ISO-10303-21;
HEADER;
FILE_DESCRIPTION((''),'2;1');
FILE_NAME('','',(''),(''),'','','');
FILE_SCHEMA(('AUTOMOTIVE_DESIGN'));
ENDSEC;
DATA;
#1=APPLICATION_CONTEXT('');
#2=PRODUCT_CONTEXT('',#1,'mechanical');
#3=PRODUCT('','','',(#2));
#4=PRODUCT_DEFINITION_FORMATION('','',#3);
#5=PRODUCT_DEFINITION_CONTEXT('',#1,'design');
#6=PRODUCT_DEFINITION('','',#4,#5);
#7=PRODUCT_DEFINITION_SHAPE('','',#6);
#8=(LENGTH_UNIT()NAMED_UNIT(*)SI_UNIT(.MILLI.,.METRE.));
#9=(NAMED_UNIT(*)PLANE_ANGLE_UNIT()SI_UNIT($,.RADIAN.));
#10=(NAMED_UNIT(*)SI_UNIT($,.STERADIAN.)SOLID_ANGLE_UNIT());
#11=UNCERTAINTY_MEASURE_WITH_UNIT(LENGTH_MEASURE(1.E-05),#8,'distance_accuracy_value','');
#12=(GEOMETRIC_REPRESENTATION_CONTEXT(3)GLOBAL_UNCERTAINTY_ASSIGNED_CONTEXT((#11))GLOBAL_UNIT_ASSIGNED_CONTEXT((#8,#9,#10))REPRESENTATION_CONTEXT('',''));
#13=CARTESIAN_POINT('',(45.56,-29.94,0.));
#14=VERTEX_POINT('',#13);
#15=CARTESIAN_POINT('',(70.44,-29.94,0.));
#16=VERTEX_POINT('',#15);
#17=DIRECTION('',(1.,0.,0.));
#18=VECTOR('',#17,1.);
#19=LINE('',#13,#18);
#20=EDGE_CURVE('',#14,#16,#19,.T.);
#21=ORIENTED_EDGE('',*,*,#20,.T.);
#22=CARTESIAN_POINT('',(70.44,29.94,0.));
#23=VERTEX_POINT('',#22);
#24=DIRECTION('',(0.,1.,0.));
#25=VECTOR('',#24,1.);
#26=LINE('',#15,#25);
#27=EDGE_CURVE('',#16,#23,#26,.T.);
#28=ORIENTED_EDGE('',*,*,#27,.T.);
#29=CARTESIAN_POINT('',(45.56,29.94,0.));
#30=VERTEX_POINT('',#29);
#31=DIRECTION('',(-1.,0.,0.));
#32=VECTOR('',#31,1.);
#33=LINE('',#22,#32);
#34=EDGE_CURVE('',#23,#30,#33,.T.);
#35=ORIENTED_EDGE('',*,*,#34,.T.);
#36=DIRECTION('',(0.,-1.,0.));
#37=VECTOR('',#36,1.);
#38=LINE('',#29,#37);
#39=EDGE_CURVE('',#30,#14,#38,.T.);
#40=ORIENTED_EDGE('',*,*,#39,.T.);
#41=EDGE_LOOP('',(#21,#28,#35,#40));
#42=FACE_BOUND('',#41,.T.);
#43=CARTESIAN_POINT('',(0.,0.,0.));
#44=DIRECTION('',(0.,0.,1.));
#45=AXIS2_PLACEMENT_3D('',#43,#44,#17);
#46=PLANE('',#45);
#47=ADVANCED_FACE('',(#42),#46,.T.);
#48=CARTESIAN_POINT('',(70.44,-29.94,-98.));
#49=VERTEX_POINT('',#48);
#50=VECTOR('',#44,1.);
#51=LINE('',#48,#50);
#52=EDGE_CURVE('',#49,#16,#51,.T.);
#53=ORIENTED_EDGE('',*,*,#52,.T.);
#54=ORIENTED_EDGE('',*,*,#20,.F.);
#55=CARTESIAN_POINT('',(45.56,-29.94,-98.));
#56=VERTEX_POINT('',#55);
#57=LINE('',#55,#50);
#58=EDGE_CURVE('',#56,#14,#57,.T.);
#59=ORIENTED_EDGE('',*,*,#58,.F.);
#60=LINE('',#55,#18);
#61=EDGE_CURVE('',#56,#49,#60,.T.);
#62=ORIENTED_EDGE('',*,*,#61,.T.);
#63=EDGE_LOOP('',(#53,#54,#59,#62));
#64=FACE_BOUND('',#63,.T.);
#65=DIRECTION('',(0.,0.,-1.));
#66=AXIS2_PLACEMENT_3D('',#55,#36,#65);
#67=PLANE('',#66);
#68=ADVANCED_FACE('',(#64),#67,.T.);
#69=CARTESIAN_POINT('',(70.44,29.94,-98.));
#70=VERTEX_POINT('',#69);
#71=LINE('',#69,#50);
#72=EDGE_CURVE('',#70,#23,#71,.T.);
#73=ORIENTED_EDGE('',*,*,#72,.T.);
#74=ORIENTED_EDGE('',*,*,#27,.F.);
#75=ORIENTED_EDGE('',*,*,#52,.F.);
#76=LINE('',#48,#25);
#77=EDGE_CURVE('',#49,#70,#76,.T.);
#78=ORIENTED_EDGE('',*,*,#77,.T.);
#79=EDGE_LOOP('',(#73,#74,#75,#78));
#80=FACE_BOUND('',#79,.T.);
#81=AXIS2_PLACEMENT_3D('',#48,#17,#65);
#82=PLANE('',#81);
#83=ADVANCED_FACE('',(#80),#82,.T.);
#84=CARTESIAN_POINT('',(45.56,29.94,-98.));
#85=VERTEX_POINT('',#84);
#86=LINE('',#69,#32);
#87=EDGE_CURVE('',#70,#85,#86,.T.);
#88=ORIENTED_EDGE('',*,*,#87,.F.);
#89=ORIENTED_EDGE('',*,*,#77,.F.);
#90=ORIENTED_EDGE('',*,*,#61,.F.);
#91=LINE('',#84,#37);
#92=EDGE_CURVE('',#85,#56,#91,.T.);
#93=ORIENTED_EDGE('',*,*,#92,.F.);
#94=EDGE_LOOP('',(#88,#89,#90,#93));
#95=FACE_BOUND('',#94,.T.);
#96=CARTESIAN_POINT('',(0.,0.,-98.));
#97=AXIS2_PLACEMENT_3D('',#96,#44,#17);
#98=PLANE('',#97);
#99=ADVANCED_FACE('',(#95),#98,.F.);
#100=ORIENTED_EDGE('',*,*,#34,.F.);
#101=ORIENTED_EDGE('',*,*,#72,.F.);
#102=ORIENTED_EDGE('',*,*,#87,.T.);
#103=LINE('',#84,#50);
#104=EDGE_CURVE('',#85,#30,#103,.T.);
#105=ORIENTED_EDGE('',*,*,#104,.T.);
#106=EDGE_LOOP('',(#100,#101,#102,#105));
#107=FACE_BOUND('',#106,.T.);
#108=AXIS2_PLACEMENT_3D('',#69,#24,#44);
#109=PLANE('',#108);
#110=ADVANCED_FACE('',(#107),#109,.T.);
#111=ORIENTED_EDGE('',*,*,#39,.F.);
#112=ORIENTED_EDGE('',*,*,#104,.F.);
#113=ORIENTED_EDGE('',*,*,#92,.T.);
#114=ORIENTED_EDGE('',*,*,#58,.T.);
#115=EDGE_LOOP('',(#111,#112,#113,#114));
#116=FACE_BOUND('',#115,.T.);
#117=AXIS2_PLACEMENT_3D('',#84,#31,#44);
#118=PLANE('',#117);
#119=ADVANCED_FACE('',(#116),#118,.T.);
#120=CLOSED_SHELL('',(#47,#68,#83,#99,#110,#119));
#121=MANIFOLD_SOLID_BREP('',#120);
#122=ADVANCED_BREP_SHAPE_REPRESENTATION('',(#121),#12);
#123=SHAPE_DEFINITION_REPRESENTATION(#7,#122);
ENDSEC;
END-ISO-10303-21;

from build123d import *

# Parameters (mm, degrees)
SKETCH1_W           = 24.88
SKETCH1_H           = 59.88
BOSS_EXTRUDE1_DEPTH = 98


with BuildPart() as part:
    # Sketch1 → Boss-Extrude1 (new body)
    with BuildSketch(Plane.XY):
        with Locations((58, 0)):
            Rectangle(SKETCH1_W, SKETCH1_H)
    extrude(amount=-BOSS_EXTRUDE1_DEPTH)


solid = part.part
